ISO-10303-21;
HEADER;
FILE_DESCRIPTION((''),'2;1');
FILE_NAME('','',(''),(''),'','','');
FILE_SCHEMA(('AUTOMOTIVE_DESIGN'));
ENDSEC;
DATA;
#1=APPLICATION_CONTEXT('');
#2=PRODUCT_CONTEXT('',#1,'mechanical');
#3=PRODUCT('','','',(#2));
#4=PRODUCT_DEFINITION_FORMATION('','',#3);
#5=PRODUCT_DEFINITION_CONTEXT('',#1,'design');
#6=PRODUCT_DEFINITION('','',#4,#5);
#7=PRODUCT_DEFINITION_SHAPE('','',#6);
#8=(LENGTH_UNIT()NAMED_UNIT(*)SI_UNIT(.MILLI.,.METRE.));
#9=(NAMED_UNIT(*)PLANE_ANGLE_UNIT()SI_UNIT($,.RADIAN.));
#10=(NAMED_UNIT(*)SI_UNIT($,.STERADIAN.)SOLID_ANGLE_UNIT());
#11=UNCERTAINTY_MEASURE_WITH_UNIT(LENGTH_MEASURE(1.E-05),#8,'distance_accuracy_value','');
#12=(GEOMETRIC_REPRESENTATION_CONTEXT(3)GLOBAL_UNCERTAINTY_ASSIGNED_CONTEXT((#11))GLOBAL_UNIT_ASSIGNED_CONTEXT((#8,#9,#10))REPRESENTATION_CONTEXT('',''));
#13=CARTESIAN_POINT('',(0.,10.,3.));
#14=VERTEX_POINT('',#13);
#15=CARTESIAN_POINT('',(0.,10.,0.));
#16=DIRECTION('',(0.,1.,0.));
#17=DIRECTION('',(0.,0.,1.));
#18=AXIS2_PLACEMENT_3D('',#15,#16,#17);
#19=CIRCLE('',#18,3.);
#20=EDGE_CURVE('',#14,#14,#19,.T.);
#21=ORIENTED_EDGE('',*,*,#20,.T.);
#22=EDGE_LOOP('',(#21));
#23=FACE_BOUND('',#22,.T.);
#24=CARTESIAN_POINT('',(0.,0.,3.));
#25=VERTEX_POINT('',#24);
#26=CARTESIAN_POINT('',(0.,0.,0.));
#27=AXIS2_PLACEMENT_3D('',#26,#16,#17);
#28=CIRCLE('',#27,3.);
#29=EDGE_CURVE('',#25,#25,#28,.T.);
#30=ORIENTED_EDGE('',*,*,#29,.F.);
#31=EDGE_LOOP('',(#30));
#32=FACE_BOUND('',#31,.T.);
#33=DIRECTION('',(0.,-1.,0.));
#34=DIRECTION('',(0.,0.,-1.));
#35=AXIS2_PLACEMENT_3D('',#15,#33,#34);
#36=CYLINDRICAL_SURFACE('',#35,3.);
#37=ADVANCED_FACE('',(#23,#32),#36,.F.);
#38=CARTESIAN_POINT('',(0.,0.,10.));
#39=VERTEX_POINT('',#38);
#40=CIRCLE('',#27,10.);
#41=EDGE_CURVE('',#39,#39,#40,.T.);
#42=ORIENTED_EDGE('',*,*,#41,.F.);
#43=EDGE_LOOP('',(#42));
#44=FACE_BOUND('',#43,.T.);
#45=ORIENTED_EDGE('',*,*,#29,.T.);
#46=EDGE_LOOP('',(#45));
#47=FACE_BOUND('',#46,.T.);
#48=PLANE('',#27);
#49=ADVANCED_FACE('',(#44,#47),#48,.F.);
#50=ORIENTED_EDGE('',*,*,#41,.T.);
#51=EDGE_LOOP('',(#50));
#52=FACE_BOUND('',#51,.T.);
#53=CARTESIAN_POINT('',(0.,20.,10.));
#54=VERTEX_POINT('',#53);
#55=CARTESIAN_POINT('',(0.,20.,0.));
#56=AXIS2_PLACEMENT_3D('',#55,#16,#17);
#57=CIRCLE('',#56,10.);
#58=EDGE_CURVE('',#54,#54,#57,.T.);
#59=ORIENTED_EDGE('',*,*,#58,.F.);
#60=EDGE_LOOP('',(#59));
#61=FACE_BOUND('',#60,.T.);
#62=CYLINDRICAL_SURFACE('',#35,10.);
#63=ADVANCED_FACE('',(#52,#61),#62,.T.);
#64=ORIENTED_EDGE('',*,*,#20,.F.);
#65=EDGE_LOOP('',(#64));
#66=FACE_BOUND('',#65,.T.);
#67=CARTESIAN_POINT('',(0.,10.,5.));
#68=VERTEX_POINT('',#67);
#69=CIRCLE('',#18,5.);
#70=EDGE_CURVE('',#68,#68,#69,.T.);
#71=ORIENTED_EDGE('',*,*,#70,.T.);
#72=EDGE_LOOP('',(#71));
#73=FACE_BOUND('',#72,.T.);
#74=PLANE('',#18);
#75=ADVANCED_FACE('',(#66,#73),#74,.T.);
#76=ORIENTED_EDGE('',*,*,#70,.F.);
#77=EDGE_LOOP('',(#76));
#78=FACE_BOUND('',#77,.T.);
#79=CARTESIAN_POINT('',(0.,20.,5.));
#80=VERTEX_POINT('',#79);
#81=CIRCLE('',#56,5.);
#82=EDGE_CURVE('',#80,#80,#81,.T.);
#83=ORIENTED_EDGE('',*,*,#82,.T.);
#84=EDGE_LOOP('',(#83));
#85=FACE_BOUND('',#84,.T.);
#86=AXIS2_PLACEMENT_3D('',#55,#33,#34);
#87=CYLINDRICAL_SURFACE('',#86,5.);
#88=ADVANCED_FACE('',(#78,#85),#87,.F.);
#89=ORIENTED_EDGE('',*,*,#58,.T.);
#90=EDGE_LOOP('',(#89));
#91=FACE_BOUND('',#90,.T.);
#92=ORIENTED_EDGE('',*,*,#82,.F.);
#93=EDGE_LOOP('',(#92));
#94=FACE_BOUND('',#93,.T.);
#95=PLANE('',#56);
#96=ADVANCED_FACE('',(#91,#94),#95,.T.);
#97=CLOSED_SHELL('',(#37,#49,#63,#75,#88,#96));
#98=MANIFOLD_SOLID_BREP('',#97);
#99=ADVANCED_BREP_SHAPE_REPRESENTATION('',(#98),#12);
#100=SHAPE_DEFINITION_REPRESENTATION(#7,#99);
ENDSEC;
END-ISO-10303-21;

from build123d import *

# Parameters (mm, degrees)
SKETCH1_R           = 10
SKETCH1_R_2         = 3
BOSS_EXTRUDE1_DEPTH = 10
SKETCH2_R           = 10
SKETCH2_R_2         = 5
BOSS_EXTRUDE2_DEPTH = 10


with BuildPart() as part:
    # Sketch1 → Boss-Extrude1 (new body)
    with BuildSketch(Plane(origin=(0, 0, 0), x_dir=(1, 0, 0), z_dir=(0, 1, 0))):
        Circle(SKETCH1_R)
        Circle(SKETCH1_R_2, mode=Mode.SUBTRACT)
    extrude(amount=BOSS_EXTRUDE1_DEPTH)

    # Sketch2 → Boss-Extrude2 (add)
    with BuildSketch(Plane(origin=(0, 10, 0), x_dir=(1, 0, 0), z_dir=(0, 1, 0))):
        Circle(SKETCH2_R)
        Circle(SKETCH2_R_2, mode=Mode.SUBTRACT)
    extrude(amount=BOSS_EXTRUDE2_DEPTH)


solid = part.part
